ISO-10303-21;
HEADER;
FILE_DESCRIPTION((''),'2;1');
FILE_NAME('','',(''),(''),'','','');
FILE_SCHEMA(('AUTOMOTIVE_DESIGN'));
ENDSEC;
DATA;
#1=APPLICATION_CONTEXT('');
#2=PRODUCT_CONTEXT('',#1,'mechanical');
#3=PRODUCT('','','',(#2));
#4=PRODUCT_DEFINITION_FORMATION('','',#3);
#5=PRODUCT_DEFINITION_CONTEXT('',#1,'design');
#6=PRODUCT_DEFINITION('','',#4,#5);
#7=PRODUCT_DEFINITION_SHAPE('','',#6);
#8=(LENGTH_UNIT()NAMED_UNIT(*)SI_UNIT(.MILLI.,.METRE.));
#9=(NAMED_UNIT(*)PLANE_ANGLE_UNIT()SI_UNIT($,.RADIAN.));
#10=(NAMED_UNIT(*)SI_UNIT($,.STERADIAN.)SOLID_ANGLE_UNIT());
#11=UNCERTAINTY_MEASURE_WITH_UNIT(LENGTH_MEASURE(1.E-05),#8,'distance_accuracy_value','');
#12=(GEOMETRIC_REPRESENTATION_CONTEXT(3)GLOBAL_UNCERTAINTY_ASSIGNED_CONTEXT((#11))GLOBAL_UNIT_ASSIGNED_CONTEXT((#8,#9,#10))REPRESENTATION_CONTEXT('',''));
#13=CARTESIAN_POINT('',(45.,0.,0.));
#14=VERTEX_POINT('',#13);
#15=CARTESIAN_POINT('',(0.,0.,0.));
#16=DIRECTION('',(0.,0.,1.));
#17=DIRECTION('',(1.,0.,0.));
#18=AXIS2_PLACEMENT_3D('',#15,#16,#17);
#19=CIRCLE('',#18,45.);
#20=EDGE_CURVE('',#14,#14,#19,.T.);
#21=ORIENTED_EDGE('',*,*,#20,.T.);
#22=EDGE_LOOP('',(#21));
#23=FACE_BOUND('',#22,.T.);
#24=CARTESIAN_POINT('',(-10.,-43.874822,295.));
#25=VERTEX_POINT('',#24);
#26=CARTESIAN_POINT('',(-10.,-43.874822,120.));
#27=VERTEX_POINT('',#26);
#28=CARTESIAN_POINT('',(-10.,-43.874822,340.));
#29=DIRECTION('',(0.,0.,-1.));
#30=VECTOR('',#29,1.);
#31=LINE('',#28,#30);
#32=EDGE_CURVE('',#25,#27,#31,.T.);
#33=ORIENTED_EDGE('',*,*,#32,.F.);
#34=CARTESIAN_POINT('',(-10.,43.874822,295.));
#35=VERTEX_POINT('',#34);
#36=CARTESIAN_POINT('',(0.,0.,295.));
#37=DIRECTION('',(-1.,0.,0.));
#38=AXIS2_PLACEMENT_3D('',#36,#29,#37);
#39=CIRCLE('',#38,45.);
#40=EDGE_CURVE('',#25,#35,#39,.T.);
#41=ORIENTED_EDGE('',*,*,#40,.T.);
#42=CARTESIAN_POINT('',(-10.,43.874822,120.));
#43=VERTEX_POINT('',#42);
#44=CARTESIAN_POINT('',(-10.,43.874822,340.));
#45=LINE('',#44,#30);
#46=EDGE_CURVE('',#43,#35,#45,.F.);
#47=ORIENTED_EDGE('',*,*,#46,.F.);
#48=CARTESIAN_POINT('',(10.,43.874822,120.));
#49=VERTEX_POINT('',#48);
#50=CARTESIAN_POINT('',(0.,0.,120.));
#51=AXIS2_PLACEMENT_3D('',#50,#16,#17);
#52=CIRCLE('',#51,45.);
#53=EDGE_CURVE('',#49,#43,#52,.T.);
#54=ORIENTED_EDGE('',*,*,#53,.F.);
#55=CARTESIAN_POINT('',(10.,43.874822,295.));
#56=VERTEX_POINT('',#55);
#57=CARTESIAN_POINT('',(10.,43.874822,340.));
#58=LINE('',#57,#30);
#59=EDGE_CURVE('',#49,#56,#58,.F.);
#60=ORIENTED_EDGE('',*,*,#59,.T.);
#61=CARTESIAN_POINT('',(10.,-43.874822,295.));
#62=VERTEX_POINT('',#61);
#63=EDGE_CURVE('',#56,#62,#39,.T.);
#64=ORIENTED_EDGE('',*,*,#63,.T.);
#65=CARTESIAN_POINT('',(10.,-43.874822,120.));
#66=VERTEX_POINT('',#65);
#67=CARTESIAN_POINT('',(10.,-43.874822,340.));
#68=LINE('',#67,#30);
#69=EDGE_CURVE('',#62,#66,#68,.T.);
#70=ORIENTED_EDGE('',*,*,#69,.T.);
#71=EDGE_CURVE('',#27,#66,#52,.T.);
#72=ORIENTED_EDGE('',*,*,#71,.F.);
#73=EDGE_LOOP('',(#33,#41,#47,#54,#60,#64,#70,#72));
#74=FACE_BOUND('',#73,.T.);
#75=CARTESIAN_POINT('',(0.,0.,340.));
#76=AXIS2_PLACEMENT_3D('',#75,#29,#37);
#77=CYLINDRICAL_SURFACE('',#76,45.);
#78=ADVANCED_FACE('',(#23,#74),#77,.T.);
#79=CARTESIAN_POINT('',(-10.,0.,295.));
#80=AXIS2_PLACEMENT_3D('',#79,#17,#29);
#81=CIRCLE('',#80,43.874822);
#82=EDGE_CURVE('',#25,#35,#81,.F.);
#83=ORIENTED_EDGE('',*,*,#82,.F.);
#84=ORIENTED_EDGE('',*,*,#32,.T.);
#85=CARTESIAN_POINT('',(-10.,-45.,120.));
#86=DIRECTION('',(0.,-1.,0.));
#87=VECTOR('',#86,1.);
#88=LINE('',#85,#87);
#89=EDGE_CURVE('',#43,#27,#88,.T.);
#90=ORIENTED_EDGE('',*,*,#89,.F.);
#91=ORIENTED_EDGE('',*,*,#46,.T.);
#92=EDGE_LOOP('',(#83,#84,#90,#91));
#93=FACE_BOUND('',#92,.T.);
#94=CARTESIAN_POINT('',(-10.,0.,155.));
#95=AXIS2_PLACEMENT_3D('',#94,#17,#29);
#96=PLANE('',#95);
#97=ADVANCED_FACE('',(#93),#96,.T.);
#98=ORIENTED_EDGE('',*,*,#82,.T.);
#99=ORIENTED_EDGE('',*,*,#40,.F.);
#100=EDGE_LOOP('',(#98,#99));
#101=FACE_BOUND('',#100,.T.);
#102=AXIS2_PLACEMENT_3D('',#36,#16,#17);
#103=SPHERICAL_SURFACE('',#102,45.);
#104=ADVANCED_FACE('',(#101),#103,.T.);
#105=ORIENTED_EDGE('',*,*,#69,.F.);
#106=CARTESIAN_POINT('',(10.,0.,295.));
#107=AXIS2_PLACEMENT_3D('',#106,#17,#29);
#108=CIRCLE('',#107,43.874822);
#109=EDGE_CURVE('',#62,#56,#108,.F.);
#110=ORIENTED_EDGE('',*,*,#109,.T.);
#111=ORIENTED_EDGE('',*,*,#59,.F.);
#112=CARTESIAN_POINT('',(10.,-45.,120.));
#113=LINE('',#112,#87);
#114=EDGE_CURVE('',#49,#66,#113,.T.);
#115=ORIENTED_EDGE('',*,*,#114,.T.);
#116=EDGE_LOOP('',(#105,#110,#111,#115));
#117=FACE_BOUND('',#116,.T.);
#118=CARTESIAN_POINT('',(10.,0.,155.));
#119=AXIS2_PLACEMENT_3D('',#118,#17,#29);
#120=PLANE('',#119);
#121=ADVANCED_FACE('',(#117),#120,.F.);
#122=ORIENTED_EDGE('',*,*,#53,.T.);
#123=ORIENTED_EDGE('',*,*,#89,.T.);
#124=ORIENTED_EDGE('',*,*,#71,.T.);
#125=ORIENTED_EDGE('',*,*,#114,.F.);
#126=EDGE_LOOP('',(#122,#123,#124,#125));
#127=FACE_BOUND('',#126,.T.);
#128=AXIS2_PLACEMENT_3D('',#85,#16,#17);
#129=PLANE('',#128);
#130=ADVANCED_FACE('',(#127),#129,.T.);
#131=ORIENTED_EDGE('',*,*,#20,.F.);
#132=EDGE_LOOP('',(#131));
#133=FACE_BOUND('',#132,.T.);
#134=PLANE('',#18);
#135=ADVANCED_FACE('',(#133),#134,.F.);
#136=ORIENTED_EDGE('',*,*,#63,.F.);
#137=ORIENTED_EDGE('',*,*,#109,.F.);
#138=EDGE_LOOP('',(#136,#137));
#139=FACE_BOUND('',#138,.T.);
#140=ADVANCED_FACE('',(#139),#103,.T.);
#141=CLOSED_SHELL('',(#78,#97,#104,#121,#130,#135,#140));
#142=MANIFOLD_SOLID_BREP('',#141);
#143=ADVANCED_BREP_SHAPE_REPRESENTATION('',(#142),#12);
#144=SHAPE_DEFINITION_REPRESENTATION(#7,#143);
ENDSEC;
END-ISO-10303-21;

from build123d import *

# Parameters (mm, degrees)
SKETCH1_R           = 45
BOSS_EXTRUDE1_DEPTH = 340
FILLET1_R           = 45
SKETCH2_OUTSIDE_W   = 414.608
SKETCH2_OUTSIDE_H   = 164.608
SKETCH2_OUTSIDE_W_2 = 150
SKETCH2_OUTSIDE_H_2 = 90
CUT_EXTRUDE1_DEPTH  = 10


with BuildPart() as part:
    # Sketch1 → Boss-Extrude1 (new body)
    with BuildSketch(Plane.XY):
        Circle(SKETCH1_R)
    extrude(amount=BOSS_EXTRUDE1_DEPTH)

    # Fillet1
    fillet1_edges = [part.edges().sort_by_distance(p)[0] for p in [
        (-45, 0, 340),
    ]]
    fillet(fillet1_edges, radius=FILLET1_R)

    # Sketch2 outside → Cut-Extrude1 (cut, symmetric)
    with BuildSketch(Plane(origin=(0, 0, 0), x_dir=(0, 0, -1), z_dir=(1, 0, 0))):
        with Locations((-170, 0)):
            Rectangle(SKETCH2_OUTSIDE_W, SKETCH2_OUTSIDE_H)
        with Locations((-45, 0)):
            Rectangle(SKETCH2_OUTSIDE_W_2, SKETCH2_OUTSIDE_H_2, mode=Mode.SUBTRACT)
    extrude(amount=CUT_EXTRUDE1_DEPTH, both=True, mode=Mode.SUBTRACT)


solid = part.part
